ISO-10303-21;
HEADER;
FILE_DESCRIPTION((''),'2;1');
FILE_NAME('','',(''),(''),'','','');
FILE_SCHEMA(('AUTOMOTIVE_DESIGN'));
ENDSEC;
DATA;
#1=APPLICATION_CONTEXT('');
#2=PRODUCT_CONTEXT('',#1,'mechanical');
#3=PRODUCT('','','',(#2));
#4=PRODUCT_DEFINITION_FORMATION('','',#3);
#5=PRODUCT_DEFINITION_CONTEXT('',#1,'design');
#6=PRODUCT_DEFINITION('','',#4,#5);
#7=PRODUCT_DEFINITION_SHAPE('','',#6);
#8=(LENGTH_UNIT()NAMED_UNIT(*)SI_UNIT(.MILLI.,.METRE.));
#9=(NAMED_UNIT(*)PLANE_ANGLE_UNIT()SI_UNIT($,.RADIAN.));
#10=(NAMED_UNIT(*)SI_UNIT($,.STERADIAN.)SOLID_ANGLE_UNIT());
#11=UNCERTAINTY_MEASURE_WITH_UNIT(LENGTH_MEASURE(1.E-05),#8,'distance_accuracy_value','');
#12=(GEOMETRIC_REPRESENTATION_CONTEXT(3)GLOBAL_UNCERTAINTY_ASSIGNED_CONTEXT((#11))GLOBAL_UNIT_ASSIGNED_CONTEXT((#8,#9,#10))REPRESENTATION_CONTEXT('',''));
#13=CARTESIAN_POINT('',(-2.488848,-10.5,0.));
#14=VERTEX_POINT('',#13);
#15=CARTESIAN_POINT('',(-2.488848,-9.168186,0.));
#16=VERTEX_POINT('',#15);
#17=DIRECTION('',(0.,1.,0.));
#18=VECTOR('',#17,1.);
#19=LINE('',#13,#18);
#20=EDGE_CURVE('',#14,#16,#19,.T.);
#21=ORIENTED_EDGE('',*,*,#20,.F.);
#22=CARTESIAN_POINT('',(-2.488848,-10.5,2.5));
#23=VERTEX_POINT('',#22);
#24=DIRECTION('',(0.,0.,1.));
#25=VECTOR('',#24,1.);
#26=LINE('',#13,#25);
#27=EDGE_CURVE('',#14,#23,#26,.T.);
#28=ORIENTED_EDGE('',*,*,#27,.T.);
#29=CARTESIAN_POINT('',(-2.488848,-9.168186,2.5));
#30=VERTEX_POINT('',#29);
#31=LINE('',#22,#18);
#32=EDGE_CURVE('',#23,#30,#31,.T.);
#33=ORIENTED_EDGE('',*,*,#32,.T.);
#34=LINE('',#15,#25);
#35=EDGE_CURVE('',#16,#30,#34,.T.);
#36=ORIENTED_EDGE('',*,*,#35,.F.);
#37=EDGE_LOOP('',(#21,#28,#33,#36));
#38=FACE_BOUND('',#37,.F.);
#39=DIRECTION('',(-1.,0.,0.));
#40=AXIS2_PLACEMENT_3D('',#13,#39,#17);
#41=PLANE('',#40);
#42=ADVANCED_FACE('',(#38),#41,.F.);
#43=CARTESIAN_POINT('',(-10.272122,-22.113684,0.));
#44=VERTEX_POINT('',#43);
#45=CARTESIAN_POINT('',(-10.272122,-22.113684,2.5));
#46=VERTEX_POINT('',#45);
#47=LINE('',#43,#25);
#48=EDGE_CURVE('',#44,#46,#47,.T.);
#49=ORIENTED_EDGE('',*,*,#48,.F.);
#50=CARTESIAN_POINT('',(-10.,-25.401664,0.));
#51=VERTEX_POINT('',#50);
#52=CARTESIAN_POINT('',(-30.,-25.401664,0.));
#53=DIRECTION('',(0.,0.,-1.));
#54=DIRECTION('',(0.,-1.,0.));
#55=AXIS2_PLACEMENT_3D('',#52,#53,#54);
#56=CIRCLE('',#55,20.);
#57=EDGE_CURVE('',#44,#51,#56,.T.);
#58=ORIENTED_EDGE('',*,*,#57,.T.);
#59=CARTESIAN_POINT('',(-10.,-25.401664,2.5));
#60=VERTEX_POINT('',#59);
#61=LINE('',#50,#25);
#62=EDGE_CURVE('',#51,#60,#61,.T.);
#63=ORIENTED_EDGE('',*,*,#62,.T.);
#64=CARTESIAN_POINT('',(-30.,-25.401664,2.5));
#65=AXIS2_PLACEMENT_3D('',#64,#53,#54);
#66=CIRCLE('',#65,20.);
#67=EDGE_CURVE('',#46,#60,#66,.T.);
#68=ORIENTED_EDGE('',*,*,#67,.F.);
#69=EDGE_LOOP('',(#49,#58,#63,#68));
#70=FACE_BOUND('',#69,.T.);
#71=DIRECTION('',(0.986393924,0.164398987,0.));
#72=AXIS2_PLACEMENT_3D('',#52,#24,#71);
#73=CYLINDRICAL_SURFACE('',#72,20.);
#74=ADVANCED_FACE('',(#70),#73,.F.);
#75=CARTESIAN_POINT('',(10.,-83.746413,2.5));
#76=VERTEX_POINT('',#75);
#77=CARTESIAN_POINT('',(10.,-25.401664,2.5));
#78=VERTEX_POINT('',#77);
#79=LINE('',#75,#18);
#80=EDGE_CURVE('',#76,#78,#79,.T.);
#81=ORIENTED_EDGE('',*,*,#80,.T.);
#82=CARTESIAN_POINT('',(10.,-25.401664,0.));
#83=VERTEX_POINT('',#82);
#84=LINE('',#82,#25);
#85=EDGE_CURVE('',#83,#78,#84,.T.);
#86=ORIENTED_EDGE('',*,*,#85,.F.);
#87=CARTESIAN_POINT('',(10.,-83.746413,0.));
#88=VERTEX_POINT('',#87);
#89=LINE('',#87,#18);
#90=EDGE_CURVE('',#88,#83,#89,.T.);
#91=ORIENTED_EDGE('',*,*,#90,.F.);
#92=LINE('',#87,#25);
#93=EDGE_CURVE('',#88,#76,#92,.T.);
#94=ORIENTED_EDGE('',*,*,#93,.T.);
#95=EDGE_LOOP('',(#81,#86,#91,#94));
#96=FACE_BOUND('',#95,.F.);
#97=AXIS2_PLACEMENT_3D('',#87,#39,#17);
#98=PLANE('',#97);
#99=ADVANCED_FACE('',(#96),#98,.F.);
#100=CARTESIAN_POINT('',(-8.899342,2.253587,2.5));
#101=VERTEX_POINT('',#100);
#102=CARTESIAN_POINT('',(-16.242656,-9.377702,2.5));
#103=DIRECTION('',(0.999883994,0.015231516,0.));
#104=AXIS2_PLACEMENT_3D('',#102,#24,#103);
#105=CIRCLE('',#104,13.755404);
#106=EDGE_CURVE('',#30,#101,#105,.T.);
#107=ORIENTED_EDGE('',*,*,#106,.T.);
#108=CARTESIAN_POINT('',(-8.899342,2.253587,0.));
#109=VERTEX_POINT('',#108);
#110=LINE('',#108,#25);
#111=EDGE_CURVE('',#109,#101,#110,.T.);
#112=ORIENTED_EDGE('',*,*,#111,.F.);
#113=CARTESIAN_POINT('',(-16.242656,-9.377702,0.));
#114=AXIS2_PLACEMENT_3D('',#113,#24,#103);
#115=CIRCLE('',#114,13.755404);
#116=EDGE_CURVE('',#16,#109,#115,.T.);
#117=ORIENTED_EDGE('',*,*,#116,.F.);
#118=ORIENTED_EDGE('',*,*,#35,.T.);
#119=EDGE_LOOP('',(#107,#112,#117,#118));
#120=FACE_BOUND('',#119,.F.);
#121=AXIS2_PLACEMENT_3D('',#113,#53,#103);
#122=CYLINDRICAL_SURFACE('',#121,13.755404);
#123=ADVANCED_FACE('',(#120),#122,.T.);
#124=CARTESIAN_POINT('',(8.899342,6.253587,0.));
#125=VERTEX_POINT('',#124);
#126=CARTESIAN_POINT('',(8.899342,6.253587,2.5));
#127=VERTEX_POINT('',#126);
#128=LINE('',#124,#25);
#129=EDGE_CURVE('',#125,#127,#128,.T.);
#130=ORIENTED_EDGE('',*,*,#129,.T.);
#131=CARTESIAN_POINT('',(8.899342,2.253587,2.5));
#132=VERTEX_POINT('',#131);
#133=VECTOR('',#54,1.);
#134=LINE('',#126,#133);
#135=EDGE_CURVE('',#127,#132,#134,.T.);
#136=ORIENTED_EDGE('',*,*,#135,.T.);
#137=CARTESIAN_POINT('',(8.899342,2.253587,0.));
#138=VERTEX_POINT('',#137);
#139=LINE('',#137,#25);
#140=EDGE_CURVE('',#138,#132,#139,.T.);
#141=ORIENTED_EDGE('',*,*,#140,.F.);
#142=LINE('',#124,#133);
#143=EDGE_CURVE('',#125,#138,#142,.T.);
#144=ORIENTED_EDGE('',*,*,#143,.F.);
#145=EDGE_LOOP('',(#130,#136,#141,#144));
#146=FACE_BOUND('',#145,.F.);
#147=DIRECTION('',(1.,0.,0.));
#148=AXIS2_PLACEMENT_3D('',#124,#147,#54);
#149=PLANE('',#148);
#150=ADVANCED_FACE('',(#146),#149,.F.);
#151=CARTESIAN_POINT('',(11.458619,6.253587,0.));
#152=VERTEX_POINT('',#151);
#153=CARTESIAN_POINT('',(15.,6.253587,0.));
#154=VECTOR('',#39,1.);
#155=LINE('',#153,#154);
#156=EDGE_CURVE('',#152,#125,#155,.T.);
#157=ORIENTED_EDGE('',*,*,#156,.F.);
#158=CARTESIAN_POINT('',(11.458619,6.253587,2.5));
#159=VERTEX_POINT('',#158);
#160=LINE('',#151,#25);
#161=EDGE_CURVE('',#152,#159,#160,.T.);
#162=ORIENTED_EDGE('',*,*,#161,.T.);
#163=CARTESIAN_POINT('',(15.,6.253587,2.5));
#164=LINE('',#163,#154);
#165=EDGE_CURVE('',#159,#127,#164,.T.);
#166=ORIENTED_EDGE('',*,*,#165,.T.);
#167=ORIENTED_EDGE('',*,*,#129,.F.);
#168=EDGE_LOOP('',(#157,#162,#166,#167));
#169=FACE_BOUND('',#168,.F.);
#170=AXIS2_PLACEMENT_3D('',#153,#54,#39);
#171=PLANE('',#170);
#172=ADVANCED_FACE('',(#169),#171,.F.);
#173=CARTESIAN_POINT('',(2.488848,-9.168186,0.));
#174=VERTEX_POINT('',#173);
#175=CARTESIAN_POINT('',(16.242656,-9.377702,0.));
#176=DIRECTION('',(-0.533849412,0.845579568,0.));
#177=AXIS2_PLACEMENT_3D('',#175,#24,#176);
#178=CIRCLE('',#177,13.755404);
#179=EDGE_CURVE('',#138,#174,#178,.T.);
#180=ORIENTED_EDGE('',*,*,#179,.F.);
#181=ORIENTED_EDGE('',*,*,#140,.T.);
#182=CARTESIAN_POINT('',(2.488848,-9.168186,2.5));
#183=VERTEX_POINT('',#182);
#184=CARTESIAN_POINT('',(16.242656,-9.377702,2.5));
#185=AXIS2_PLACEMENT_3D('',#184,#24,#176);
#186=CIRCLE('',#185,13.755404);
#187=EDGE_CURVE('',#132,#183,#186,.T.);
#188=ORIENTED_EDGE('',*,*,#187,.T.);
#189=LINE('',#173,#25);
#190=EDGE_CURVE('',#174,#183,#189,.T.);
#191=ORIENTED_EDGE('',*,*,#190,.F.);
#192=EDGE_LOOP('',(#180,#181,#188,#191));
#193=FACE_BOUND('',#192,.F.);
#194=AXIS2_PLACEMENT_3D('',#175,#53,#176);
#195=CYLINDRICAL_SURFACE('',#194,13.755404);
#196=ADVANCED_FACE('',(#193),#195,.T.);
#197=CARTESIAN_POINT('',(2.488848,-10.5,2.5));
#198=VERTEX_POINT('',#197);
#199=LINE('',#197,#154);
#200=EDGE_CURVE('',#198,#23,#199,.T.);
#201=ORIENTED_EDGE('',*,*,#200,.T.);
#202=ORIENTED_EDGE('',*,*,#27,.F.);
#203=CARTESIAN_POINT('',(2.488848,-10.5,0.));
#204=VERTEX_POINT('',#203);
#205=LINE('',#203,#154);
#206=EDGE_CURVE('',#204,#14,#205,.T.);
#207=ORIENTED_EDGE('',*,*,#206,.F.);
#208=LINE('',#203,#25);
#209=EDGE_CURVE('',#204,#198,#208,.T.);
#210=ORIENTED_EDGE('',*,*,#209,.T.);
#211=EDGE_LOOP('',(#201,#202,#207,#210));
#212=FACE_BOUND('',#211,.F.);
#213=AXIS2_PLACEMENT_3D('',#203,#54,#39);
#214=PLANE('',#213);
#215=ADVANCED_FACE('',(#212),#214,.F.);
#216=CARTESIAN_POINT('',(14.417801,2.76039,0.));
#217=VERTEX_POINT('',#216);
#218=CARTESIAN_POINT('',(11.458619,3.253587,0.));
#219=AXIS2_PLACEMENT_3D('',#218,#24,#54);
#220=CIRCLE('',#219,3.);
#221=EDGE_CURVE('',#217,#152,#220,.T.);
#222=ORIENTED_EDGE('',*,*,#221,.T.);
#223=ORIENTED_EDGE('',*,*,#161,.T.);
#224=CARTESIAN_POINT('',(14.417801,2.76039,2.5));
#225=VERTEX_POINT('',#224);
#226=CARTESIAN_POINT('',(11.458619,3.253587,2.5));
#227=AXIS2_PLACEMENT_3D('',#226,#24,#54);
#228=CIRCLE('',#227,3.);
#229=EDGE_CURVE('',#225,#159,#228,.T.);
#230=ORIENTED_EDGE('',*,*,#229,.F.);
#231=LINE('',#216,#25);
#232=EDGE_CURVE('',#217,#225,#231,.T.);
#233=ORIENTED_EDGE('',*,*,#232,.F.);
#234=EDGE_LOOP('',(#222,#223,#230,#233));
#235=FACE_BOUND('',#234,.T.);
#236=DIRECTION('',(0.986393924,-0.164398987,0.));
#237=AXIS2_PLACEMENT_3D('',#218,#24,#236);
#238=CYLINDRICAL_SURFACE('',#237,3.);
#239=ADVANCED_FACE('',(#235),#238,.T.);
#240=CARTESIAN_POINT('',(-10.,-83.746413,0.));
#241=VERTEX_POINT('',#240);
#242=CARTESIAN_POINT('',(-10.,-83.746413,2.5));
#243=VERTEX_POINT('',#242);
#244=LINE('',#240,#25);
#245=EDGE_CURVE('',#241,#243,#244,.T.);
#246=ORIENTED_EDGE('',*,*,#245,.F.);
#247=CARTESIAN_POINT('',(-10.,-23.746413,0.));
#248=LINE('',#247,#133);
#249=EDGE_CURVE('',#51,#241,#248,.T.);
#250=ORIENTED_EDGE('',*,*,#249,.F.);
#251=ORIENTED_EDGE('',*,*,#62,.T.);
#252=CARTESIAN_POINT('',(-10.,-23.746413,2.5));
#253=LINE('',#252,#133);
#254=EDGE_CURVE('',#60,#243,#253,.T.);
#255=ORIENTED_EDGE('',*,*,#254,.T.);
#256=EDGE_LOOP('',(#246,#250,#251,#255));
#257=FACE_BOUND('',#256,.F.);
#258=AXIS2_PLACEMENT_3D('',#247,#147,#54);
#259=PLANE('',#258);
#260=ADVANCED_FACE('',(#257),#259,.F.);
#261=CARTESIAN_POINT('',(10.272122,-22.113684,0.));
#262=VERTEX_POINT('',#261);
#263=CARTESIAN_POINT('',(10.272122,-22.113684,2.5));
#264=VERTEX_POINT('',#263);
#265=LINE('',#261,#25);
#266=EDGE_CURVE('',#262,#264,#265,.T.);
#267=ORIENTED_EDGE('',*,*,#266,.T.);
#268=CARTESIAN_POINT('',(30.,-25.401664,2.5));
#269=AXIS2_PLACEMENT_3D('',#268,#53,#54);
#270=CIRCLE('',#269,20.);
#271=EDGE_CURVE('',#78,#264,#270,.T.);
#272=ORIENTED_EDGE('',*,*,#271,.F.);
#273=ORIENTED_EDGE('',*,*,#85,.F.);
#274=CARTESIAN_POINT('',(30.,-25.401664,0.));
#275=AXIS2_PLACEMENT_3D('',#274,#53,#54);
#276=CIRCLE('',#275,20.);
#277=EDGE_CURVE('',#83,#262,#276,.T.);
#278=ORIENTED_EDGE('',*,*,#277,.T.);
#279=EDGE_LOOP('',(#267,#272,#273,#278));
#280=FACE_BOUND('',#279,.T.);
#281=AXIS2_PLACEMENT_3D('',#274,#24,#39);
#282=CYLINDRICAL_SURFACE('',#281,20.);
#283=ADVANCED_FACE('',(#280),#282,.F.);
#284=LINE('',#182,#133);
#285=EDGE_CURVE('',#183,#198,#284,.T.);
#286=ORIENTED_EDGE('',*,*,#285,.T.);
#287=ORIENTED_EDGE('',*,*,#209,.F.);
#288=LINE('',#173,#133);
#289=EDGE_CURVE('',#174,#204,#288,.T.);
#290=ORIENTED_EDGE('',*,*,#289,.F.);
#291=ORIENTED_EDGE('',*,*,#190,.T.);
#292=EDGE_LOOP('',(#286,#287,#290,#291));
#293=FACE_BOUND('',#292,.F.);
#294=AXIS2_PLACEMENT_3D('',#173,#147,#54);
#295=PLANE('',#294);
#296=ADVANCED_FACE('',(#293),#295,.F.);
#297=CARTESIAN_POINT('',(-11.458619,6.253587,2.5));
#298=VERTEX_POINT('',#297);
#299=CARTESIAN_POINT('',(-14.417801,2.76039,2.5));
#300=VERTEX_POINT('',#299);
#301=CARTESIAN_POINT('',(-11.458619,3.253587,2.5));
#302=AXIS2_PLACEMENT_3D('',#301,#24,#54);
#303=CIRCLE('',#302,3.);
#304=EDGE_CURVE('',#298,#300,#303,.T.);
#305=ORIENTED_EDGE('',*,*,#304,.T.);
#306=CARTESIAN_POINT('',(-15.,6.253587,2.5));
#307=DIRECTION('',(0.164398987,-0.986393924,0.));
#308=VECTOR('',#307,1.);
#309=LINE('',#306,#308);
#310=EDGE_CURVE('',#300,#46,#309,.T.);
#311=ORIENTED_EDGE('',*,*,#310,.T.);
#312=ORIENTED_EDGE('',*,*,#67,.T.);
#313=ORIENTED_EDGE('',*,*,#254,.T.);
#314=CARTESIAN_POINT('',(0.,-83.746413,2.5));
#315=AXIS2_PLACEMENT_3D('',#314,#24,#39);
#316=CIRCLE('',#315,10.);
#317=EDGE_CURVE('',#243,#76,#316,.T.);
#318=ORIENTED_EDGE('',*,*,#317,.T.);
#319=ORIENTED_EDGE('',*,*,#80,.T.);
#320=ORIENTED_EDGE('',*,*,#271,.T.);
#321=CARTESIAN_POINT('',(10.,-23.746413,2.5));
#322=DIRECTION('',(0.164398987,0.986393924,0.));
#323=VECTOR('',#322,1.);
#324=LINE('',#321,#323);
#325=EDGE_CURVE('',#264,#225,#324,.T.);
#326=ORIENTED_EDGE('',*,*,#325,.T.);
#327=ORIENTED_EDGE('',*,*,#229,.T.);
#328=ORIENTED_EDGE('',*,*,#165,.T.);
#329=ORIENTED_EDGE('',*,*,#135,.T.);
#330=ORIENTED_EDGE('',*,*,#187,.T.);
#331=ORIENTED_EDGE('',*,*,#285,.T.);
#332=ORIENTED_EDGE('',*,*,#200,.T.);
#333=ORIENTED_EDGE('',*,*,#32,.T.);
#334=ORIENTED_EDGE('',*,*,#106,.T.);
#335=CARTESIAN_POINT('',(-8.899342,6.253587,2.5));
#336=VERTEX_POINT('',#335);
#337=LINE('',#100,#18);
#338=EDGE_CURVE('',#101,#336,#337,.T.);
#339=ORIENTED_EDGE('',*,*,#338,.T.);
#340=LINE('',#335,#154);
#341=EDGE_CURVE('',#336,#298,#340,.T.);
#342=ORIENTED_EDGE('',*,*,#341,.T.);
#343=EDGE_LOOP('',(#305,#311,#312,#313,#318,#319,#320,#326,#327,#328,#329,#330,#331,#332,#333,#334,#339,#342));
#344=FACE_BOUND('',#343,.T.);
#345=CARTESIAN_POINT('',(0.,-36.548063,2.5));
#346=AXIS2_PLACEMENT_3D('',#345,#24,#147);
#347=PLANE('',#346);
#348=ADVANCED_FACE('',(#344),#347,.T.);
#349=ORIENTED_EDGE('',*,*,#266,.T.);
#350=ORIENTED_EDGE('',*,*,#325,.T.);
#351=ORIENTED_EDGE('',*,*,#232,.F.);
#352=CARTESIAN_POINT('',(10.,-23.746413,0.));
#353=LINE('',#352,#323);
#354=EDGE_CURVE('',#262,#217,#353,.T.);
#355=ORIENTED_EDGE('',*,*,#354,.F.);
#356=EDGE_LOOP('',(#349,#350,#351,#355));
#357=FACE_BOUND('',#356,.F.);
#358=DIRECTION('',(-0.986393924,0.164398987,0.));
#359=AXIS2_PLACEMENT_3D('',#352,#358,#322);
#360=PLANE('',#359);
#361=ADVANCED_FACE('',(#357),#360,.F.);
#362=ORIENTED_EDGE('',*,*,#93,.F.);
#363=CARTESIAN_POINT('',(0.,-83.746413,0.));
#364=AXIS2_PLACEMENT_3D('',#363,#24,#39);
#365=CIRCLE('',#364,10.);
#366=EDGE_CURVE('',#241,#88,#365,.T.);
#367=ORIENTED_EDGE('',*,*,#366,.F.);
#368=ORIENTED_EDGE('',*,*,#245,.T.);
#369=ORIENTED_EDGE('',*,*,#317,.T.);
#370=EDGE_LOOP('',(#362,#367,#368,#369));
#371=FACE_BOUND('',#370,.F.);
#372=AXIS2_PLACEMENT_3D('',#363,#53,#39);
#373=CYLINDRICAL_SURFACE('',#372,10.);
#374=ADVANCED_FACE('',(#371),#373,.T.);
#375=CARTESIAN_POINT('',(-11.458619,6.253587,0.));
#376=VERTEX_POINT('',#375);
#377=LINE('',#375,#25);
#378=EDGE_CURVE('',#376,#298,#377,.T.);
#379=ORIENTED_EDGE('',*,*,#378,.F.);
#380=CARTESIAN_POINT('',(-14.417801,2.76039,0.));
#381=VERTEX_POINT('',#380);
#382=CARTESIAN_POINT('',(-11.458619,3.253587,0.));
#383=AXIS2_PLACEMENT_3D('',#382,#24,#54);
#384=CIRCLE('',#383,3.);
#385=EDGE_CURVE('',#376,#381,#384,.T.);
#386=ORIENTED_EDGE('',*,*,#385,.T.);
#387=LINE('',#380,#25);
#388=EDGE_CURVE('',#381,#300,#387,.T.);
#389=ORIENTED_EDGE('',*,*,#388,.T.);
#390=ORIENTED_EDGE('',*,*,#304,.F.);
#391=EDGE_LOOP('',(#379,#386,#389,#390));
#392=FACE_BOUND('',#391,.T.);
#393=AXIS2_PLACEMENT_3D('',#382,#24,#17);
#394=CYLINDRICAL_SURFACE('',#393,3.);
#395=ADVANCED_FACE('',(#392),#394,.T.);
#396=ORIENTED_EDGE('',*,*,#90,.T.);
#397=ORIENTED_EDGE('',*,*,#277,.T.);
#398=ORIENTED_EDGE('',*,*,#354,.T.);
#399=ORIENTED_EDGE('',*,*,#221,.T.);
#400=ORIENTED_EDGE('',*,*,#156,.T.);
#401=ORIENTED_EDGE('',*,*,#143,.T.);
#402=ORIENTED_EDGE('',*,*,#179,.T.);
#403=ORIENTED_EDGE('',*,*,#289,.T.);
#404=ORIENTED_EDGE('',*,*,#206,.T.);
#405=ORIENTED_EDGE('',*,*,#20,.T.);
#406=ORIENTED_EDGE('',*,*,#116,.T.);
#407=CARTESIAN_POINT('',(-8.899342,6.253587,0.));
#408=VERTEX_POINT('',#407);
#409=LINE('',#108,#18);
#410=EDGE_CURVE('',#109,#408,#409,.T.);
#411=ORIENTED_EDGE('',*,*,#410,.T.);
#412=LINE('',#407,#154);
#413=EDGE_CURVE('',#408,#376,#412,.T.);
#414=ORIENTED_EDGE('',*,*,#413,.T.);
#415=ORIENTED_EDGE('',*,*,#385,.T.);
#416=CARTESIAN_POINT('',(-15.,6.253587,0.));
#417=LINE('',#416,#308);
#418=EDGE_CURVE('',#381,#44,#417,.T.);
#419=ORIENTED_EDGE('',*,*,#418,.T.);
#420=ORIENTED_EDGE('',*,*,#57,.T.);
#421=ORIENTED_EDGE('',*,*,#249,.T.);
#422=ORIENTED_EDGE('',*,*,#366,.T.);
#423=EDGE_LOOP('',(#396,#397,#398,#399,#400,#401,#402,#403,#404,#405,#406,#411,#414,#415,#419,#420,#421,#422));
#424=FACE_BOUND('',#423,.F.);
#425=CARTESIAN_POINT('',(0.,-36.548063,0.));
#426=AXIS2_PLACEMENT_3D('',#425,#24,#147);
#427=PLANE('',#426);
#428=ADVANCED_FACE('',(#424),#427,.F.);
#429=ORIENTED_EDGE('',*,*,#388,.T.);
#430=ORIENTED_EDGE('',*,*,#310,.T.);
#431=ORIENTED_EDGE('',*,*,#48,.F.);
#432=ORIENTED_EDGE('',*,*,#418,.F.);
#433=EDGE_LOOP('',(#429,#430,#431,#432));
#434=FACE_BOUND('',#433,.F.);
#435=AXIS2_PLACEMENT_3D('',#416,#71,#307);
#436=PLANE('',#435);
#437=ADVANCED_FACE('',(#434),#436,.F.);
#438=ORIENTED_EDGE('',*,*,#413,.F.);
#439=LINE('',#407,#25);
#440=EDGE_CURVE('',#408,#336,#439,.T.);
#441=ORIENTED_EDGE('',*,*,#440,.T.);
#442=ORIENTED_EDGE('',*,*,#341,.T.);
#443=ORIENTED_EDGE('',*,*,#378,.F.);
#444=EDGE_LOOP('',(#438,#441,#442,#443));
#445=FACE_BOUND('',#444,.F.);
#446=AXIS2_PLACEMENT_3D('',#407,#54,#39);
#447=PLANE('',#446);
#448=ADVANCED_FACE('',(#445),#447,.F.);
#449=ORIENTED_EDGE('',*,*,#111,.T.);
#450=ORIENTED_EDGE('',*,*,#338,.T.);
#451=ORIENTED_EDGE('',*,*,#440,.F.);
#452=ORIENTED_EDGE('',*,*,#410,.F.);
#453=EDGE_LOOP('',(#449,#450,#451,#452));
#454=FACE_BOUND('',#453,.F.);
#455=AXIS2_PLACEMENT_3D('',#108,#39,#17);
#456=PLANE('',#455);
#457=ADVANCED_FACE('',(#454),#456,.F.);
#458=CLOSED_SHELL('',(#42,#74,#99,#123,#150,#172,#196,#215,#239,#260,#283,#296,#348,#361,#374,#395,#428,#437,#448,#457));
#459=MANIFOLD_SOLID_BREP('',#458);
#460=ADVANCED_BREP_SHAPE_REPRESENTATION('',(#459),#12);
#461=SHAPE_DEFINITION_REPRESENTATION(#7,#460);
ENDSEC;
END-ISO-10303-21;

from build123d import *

# Parameters (mm, degrees)
F2_DEPTH = 2.5
F3_R     = 3
F4_R     = 20


with BuildPart() as f2:
    # F1 (on Top) → F2 (new body)
    with BuildSketch(Plane.XY):
        with BuildLine():
            Line((2.488848, -10.5), (-2.488848, -10.5))
            Line((-2.488848, -10.5), (-2.488848, -9.168186))
            ThreePointArc((-2.488848, -9.168186), (-4.247392, -2.645334), (-8.899342, 2.253587))
            Line((-8.899342, 2.253587), (-8.899342, 6.253587))
            Line((-8.899342, 6.253587), (-15, 6.253587))
            Line((-15, 6.253587), (-10, -23.746413))
            Line((-10, -23.746413), (-10, -83.746413))
            ThreePointArc((-10, -83.746413), (0, -93.746413), (10, -83.746413))
            Line((10, -83.746413), (10, -23.746413))
            Line((10, -23.746413), (15, 6.253587))
            Line((15, 6.253587), (8.899342, 6.253587))
            Line((8.899342, 6.253587), (8.899342, 2.253587))
            ThreePointArc((8.899342, 2.253587), (4.247392, -2.645334), (2.488848, -9.168186))
            Line((2.488848, -9.168186), (2.488848, -10.5))
        make_face()
    extrude(amount=F2_DEPTH)

    # F3
    f3_edges = [f2.edges().sort_by_distance(p)[0] for p in [
        (-15, 6.253587, 1.25),
        (15, 6.253587, 1.25),
    ]]
    fillet(f3_edges, radius=F3_R)

    # F4
    f4_edges = [f2.edges().sort_by_distance(p)[0] for p in [
        (-10, -23.746413, 1.25),
        (10, -23.746413, 1.25),
    ]]
    fillet(f4_edges, radius=F4_R)


solid = f2.part
